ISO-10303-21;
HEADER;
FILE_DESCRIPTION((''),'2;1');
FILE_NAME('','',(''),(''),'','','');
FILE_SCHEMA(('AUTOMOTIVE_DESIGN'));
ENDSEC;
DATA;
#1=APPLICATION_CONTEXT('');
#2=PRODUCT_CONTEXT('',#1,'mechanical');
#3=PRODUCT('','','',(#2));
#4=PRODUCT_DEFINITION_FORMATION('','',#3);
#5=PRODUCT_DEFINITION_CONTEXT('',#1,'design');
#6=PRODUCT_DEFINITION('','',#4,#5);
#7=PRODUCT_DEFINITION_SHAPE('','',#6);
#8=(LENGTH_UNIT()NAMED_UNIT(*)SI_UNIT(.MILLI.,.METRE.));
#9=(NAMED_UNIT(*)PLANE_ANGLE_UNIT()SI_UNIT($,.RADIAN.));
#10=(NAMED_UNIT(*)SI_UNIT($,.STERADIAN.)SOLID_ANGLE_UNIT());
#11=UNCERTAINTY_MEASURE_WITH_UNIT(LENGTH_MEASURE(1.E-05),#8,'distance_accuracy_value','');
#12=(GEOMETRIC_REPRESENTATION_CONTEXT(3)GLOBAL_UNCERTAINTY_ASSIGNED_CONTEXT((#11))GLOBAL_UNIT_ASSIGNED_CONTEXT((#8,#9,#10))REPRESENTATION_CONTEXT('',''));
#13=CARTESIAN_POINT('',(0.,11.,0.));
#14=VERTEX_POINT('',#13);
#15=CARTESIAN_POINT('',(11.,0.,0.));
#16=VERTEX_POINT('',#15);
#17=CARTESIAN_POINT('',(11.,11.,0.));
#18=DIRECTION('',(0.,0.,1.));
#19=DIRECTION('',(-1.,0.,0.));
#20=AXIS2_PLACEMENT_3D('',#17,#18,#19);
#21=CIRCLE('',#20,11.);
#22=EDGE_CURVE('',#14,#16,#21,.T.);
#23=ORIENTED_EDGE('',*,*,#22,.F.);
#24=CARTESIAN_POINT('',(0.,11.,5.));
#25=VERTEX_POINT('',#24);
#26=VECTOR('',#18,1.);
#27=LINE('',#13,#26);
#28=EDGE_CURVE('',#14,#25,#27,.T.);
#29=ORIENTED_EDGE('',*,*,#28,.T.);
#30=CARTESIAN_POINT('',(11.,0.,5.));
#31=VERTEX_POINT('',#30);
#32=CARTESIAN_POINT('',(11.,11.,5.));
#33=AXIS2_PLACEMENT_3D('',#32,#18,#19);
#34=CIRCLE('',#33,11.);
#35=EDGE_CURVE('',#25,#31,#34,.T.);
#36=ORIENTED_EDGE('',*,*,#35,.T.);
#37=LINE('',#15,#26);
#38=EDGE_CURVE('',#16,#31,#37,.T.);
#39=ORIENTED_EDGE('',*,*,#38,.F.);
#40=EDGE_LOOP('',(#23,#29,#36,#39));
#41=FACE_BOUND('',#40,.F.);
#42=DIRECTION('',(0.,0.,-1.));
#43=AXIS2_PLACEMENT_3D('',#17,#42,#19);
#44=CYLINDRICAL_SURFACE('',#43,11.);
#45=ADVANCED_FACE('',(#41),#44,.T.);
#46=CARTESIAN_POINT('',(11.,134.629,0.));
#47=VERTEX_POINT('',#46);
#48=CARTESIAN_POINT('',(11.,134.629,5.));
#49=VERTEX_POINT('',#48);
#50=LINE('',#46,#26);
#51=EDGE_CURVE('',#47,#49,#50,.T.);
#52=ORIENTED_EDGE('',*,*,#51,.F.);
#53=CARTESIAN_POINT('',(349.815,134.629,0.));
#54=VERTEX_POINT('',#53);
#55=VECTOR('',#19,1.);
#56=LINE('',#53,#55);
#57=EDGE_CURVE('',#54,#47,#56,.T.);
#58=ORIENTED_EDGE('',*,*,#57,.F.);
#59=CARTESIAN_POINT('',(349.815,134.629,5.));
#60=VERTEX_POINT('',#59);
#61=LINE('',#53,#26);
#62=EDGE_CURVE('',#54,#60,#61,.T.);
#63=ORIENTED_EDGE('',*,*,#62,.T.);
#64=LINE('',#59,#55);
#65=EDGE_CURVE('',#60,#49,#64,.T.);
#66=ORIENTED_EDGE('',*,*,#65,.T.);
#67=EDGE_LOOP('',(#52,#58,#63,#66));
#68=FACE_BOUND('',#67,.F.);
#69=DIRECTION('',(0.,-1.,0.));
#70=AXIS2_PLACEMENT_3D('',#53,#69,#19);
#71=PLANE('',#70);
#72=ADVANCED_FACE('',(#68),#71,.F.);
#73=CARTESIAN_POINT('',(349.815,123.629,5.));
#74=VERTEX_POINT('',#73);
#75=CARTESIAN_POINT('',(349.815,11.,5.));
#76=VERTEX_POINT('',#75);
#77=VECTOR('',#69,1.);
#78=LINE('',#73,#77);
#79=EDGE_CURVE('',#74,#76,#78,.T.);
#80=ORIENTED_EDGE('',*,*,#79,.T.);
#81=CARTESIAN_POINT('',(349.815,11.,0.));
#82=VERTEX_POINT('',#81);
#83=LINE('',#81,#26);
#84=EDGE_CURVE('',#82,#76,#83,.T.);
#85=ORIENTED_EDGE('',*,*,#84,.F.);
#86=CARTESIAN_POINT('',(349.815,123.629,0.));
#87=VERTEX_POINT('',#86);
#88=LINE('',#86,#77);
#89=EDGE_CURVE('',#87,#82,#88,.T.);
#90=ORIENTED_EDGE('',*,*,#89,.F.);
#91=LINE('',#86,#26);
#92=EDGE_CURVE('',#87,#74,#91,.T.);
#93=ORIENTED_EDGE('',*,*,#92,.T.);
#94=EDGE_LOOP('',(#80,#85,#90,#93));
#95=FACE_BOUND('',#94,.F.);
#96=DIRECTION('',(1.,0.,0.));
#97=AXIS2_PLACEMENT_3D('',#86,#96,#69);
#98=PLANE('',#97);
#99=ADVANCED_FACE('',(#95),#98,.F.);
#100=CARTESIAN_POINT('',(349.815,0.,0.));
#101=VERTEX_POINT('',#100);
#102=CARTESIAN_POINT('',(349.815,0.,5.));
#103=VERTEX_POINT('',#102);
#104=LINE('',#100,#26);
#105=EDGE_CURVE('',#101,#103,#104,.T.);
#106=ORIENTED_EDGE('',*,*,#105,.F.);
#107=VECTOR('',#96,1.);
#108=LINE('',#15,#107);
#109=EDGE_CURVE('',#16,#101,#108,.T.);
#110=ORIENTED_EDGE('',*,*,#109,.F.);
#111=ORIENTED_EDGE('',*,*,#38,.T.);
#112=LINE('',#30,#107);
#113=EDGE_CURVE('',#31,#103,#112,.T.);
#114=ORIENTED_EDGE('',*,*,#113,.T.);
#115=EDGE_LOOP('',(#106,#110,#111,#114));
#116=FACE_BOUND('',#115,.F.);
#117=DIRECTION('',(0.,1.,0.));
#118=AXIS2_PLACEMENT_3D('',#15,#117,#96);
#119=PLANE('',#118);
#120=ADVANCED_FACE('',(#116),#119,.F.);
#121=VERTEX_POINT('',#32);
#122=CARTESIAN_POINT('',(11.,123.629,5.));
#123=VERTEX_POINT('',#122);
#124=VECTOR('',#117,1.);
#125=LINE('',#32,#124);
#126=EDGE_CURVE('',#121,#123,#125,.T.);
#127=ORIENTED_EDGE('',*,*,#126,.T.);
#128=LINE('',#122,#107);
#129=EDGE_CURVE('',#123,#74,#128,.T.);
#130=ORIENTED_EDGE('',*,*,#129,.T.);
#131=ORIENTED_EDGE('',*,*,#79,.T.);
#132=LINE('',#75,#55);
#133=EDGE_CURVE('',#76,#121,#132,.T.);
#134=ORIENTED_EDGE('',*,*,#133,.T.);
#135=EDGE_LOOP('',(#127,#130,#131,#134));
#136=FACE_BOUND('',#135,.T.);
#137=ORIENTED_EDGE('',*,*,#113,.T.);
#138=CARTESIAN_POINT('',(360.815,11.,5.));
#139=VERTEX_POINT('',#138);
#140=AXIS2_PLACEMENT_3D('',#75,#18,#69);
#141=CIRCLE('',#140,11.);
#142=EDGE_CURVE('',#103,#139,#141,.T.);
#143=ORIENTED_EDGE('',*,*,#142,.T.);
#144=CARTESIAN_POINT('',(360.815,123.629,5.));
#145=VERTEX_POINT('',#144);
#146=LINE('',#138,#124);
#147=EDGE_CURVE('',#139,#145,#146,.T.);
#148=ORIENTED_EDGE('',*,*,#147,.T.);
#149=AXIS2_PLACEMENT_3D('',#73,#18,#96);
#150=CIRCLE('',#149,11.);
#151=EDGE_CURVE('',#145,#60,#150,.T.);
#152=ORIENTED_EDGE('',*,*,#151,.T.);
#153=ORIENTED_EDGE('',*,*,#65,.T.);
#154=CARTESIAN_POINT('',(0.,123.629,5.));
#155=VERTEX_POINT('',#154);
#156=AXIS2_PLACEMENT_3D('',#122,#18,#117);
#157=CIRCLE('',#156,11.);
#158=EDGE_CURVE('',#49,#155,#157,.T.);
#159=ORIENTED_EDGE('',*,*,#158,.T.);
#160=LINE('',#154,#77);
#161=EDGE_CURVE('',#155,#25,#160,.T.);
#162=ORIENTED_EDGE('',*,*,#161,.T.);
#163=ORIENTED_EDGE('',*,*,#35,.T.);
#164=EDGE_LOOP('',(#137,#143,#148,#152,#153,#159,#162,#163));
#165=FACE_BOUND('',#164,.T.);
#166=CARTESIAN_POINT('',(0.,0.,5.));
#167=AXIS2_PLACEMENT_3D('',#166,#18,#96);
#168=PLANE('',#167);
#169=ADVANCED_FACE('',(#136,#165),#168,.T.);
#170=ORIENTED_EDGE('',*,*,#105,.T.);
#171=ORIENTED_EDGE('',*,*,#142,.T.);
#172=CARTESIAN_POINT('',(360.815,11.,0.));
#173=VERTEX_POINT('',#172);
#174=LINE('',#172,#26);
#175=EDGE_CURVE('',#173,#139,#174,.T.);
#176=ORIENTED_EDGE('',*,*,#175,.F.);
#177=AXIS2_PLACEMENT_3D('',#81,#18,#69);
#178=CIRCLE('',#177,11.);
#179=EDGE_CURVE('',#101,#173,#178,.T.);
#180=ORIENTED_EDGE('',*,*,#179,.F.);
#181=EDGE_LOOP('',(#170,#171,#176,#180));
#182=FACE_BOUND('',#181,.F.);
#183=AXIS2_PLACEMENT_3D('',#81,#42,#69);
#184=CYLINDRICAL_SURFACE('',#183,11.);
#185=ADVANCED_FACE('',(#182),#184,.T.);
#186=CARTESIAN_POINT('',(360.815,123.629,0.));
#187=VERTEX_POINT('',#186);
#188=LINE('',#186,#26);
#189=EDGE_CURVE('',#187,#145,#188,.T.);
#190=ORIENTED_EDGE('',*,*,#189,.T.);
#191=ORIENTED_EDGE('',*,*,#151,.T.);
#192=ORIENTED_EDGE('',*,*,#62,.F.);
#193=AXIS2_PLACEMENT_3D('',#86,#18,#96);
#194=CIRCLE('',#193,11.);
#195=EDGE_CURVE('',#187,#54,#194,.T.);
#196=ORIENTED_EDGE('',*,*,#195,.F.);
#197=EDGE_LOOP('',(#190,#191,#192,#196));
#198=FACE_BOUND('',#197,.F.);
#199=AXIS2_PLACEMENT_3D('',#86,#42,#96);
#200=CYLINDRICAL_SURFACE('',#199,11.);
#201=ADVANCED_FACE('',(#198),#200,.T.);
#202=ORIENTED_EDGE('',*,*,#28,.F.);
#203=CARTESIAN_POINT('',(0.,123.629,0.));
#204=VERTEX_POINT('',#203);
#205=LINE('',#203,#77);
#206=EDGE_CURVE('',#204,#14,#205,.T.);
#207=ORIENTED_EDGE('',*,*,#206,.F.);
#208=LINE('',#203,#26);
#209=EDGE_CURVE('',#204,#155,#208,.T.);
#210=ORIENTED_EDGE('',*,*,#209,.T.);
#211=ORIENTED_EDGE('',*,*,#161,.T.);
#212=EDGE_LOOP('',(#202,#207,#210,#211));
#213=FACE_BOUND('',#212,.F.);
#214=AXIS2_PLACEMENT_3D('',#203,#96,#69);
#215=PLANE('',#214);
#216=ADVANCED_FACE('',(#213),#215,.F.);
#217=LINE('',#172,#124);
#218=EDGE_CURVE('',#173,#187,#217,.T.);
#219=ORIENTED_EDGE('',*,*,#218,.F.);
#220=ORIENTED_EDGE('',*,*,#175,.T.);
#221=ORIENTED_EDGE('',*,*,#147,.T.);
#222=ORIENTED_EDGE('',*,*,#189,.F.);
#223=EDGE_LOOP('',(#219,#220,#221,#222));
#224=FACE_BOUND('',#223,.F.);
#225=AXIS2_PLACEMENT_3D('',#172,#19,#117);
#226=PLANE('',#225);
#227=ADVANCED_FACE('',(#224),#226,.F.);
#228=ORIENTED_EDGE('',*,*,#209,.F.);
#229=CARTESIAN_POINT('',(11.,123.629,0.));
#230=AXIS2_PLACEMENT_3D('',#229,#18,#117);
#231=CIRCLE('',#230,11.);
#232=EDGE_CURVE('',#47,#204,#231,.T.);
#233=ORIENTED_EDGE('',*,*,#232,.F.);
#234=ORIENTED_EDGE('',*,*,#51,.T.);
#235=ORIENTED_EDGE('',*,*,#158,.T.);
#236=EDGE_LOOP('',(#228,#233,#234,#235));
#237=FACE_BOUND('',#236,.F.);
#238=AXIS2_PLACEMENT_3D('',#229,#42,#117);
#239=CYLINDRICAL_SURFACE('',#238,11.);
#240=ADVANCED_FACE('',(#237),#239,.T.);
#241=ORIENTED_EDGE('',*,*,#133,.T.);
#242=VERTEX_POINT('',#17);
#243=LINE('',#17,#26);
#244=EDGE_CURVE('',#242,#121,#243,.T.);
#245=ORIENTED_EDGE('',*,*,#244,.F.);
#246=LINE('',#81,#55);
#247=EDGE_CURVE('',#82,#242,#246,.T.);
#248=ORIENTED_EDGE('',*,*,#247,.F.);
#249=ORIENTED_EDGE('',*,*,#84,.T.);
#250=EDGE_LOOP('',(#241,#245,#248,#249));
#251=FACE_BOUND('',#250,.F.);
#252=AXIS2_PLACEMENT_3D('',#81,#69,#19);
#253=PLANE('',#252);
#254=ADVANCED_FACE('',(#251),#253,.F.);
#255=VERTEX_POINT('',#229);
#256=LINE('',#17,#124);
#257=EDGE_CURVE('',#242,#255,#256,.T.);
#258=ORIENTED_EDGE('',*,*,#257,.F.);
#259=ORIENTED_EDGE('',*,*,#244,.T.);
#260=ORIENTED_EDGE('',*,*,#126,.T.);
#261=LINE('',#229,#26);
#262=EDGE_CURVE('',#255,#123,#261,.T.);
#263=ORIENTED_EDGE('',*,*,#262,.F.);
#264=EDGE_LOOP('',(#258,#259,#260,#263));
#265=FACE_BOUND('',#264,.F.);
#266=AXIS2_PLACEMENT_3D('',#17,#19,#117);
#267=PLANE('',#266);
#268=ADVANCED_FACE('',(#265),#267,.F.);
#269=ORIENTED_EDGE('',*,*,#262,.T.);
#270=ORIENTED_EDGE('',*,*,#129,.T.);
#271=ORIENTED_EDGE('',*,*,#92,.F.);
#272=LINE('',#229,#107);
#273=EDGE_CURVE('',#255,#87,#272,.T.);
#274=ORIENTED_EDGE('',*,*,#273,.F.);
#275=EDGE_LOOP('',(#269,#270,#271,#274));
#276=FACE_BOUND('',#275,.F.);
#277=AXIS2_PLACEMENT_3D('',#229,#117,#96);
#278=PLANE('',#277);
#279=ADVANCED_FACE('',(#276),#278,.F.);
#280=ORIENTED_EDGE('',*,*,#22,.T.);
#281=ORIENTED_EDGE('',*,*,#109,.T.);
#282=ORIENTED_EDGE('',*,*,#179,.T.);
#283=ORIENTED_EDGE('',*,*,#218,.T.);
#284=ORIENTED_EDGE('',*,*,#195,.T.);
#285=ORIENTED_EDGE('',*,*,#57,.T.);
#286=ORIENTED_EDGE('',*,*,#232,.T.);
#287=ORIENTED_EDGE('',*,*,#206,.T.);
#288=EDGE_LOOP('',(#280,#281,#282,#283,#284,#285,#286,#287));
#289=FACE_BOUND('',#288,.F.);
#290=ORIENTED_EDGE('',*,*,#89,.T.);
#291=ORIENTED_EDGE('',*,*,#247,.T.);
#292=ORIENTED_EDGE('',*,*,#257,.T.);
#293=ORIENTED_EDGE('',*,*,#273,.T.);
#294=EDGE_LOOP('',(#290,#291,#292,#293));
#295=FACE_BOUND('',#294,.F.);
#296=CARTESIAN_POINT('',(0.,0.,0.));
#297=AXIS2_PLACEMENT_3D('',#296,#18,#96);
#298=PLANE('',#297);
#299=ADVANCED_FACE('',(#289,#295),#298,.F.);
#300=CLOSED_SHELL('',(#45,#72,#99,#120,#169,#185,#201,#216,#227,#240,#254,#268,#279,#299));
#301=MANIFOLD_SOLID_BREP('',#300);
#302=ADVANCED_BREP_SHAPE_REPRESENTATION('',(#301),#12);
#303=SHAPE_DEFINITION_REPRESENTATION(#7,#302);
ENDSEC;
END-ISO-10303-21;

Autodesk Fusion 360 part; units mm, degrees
sketch "Sketch1" plane through (0, 0, 0) normal (0, 0, 1) x (1, 0, 0)
  line L0 (11, 0) -> (349.815, 0)
  line L1 (360.815, 11) -> (360.815, 123.629)
  line L2 (349.815, 134.629) -> (11, 134.629)
  line L3 (0, 123.629) -> (0, 11)
  arc A0 (11, 134.629) -> (0, 123.629) centre (11, 123.629) ccw
  arc A1 (0, 11) -> (11, 0) centre (11, 11) ccw
  arc A2 (349.815, 0) -> (360.815, 11) centre (349.815, 11) ccw
  arc A3 (360.815, 123.629) -> (349.815, 134.629) centre (349.815, 123.629) ccw
  line L4 (349.815, 11) -> (11, 11)
  line L5 (11, 11) -> (11, 123.629)
  line L6 (11, 123.629) -> (349.815, 123.629)
  line L7 (349.815, 123.629) -> (349.815, 11)
  dimension "d1" = 360.815
  dimension "d2" = 134.629
  dimension "d3" = 11
  dimension "d4" = 11
  dimension "d5" = 11
  dimension "d6" = 11
extrude "Extrude1" add sketch "Sketch1" along normal blind 5
